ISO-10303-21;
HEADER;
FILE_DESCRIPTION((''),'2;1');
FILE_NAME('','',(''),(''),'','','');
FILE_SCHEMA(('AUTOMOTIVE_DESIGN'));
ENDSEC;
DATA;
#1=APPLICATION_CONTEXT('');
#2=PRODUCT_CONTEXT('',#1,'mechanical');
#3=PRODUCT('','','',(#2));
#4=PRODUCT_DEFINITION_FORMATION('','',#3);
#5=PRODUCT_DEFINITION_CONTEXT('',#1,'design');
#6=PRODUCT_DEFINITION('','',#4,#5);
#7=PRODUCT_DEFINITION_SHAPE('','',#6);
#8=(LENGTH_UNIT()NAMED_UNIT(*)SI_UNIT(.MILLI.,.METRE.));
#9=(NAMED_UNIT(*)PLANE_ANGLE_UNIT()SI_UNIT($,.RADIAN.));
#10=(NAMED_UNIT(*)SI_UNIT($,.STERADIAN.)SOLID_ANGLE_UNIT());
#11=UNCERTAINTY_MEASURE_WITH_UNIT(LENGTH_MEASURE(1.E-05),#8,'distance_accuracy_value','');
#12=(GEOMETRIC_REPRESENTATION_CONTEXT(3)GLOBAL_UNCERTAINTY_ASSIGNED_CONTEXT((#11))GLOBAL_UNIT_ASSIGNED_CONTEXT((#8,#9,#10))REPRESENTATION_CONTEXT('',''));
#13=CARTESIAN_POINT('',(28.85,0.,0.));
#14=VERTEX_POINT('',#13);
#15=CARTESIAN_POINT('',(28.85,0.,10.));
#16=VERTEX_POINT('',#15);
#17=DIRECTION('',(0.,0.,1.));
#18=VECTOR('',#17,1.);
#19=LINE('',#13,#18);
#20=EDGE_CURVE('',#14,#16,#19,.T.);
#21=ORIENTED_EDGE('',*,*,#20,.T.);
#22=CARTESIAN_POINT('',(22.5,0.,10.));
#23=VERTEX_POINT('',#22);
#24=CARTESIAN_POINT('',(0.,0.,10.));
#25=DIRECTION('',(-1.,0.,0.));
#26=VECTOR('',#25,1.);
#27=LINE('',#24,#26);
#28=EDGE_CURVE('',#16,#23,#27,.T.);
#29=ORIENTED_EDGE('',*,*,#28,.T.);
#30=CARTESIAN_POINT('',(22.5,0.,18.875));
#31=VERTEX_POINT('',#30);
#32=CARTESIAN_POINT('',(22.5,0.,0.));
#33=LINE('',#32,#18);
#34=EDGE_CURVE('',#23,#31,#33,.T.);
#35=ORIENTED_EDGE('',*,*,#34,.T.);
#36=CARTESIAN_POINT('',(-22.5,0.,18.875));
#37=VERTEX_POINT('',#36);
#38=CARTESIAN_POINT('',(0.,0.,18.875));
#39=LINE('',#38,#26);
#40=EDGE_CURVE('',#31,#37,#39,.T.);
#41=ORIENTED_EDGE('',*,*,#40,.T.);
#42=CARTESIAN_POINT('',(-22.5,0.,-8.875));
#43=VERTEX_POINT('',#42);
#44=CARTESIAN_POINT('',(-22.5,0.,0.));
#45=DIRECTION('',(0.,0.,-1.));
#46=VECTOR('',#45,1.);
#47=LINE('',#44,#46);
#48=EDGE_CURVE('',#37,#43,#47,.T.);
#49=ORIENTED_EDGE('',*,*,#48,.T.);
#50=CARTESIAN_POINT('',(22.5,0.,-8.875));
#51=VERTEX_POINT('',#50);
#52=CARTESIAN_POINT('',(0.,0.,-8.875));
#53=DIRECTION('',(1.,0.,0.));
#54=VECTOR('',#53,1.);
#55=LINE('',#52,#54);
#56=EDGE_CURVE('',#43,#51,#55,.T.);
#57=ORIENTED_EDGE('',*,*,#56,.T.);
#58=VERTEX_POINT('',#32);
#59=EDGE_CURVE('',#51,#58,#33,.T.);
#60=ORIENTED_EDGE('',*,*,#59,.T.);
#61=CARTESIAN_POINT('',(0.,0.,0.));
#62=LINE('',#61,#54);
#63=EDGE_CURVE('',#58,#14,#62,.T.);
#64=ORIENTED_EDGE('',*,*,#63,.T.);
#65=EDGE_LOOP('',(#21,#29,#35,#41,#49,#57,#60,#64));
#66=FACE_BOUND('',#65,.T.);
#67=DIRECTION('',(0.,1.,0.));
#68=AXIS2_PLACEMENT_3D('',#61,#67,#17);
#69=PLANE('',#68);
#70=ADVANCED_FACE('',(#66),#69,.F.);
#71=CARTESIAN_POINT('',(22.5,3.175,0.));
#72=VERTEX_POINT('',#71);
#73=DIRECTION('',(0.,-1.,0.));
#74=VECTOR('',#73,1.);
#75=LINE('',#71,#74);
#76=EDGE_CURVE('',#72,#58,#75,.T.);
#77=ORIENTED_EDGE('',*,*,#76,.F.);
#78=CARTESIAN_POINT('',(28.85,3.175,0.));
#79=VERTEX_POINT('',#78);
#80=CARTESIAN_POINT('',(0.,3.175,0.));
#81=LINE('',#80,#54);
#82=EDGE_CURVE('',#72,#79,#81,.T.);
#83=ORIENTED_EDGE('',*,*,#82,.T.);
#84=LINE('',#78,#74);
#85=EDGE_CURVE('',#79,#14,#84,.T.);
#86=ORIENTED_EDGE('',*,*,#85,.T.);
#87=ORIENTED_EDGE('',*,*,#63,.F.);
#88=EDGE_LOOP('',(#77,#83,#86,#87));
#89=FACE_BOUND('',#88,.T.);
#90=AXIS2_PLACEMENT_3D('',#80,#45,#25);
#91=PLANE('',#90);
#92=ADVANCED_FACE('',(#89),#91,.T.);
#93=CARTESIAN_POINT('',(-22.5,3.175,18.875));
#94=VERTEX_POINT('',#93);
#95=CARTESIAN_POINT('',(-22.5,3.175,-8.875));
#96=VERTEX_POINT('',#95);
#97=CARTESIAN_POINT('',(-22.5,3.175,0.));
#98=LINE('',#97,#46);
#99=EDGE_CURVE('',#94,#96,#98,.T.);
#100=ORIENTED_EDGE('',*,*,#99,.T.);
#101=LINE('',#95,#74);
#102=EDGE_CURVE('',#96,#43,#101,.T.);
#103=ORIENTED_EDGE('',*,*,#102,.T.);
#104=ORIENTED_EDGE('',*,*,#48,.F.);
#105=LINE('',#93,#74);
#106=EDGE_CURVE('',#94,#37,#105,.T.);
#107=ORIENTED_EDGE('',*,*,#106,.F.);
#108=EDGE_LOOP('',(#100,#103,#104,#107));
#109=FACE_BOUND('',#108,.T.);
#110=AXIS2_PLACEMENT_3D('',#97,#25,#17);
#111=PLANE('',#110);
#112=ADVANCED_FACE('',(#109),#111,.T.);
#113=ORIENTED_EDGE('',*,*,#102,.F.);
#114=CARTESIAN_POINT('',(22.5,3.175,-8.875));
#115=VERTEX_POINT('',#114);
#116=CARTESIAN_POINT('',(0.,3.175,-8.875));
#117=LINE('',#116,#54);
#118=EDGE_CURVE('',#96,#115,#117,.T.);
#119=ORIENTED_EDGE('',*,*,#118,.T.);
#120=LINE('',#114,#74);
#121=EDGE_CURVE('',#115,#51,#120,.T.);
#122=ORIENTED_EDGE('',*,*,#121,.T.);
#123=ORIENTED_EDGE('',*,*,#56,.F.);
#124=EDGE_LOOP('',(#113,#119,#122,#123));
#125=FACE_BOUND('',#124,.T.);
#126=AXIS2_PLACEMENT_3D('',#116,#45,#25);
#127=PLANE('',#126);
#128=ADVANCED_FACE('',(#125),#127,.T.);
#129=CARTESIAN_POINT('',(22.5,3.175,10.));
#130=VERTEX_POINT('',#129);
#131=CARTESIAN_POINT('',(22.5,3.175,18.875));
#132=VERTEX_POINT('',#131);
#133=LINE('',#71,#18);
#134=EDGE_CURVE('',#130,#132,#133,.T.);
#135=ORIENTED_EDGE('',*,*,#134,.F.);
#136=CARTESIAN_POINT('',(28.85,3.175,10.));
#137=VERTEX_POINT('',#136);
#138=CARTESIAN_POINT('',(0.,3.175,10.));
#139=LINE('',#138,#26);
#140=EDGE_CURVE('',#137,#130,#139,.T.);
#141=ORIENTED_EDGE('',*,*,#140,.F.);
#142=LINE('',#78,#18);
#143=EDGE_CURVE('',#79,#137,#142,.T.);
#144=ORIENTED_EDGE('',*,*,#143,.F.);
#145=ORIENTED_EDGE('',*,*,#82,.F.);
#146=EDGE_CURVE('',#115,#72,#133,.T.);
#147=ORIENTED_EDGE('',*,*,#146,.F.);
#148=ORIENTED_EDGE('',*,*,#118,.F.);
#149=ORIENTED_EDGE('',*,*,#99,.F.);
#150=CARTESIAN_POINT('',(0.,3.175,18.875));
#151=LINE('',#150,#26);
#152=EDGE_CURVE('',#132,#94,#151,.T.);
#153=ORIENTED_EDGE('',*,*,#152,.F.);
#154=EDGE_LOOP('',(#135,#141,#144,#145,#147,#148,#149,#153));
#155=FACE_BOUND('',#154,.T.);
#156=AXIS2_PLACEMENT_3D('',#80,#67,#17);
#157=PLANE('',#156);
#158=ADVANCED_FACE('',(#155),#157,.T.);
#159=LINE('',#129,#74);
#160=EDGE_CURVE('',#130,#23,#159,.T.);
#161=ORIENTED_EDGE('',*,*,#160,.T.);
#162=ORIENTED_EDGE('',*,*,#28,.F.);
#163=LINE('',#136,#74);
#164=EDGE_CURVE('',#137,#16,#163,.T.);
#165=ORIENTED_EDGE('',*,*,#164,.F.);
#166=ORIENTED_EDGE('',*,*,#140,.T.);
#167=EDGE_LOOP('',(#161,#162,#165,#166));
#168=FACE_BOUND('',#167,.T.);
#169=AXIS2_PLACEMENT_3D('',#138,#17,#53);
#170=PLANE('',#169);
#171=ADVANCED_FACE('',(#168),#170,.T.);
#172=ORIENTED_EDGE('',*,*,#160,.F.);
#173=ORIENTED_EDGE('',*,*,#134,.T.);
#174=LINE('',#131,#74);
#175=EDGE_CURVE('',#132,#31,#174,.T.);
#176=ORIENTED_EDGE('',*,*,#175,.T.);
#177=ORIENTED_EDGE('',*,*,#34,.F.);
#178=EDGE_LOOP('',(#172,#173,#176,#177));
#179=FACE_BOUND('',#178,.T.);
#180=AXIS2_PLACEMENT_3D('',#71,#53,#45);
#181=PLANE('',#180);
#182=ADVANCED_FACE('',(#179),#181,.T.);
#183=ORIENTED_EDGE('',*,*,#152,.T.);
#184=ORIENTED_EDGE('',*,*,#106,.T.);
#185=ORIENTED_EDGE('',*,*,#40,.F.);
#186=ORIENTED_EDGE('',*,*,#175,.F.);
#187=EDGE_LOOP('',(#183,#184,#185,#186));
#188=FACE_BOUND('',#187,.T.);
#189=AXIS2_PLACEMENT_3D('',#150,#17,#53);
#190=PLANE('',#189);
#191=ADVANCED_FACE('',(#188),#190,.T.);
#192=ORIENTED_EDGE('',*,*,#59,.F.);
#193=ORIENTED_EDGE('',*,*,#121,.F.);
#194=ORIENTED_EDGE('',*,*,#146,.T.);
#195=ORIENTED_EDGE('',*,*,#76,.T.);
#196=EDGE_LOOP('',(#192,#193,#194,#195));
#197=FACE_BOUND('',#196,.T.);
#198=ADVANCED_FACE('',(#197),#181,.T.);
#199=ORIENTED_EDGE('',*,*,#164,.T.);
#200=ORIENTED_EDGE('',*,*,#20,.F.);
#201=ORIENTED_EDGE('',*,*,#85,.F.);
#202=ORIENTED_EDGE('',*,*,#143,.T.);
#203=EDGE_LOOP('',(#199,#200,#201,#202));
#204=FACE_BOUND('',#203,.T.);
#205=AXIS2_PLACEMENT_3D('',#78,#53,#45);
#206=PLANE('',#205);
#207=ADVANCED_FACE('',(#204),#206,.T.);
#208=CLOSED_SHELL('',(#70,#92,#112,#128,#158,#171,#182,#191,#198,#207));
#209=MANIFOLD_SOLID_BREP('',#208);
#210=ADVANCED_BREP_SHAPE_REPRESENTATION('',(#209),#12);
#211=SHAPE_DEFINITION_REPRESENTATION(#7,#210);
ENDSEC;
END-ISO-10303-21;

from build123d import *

# Parameters (mm, degrees)
BOSS_EXTRUDE1_DEPTH = 3.175


with BuildPart() as part:
    # Sketch1 → Boss-Extrude1 (new body)
    with BuildSketch(Plane(origin=(0, 0, 0), x_dir=(1, 0, 0), z_dir=(0, 1, 0))):
        Polygon((-22.5, 0), (-22.5, 8.875), (22.5, 8.875), (22.5, 0), (28.85, 0), (28.85, -10), (22.5, -10), (22.5, -18.875), (-22.5, -18.875), (-22.5, -10), align=None)
    extrude(amount=BOSS_EXTRUDE1_DEPTH)


solid = part.part
